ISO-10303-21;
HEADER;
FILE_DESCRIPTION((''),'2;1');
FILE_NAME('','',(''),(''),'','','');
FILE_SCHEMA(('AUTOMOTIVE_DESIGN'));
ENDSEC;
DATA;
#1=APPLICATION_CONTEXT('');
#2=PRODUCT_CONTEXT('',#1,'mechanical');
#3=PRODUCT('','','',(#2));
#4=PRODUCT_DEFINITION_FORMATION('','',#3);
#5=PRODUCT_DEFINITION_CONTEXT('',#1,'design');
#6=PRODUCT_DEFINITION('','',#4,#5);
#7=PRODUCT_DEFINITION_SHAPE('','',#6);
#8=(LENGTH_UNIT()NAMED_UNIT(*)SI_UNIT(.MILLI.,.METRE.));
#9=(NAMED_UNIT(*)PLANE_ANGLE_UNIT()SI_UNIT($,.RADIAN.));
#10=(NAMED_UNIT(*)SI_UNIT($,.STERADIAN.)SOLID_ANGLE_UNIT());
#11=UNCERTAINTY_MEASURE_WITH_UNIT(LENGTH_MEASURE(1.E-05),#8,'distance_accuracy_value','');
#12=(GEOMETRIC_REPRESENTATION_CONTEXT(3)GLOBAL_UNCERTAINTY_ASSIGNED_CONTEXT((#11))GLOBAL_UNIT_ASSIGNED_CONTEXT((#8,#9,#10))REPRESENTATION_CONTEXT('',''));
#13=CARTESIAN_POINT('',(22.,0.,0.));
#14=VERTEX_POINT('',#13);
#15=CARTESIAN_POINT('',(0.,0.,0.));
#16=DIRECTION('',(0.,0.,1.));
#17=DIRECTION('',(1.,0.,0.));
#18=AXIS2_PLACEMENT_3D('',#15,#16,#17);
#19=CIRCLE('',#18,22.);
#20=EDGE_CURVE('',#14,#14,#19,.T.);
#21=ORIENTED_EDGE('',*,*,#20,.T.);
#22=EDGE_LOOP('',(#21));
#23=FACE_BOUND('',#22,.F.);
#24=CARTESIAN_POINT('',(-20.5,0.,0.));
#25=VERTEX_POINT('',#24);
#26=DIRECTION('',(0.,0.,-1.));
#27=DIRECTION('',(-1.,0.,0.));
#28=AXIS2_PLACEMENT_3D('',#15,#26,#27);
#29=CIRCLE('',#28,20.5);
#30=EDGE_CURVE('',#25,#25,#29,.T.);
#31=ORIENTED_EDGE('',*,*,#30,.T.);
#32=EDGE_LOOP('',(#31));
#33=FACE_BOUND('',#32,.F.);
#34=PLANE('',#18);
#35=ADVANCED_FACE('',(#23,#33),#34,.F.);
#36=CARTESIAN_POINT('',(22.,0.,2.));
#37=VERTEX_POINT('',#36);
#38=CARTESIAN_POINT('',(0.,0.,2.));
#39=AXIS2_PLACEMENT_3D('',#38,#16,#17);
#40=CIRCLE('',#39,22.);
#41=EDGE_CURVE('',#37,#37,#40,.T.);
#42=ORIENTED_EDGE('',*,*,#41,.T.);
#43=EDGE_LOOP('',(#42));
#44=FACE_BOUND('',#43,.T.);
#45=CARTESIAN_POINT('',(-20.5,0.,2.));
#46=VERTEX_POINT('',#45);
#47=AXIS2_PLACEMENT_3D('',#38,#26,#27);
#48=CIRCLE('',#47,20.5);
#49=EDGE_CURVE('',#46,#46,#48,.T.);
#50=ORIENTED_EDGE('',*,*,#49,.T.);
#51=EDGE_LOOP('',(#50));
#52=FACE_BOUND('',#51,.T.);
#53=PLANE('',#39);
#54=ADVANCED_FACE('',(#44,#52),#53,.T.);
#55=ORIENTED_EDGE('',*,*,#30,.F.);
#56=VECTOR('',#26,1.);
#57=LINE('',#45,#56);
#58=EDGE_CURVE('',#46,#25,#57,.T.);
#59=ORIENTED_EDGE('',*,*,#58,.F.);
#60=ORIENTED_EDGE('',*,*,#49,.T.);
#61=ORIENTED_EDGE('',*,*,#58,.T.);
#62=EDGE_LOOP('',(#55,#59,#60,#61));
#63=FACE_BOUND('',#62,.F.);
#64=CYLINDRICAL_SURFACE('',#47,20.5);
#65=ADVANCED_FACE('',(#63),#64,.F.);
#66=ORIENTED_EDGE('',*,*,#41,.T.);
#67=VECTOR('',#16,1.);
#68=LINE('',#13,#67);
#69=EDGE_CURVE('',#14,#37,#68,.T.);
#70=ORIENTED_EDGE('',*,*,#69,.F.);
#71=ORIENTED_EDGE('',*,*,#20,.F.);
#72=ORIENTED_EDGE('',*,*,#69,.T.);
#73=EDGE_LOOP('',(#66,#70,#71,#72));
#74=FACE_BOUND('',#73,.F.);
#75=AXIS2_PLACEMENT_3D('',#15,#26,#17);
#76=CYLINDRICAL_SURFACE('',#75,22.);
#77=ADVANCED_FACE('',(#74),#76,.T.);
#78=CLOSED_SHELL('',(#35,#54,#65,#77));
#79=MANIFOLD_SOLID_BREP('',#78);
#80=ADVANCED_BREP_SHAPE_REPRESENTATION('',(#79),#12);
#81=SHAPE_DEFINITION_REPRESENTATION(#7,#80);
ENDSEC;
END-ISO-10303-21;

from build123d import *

# Parameters (mm, degrees)
F0_R     = 22
F1_DEPTH = 2
F3_D     = 41
F3_DEPTH = 2


with BuildPart() as f1:
    # F0 (on Top) → F1 (new body)
    with BuildSketch(Plane.XY):
        Circle(F0_R)
    extrude(amount=F1_DEPTH)

    # F3
    with Locations(Plane.XY):
        with Locations((0, 0)):
            Hole(F3_D / 2, depth=F3_DEPTH)


solid = f1.part
